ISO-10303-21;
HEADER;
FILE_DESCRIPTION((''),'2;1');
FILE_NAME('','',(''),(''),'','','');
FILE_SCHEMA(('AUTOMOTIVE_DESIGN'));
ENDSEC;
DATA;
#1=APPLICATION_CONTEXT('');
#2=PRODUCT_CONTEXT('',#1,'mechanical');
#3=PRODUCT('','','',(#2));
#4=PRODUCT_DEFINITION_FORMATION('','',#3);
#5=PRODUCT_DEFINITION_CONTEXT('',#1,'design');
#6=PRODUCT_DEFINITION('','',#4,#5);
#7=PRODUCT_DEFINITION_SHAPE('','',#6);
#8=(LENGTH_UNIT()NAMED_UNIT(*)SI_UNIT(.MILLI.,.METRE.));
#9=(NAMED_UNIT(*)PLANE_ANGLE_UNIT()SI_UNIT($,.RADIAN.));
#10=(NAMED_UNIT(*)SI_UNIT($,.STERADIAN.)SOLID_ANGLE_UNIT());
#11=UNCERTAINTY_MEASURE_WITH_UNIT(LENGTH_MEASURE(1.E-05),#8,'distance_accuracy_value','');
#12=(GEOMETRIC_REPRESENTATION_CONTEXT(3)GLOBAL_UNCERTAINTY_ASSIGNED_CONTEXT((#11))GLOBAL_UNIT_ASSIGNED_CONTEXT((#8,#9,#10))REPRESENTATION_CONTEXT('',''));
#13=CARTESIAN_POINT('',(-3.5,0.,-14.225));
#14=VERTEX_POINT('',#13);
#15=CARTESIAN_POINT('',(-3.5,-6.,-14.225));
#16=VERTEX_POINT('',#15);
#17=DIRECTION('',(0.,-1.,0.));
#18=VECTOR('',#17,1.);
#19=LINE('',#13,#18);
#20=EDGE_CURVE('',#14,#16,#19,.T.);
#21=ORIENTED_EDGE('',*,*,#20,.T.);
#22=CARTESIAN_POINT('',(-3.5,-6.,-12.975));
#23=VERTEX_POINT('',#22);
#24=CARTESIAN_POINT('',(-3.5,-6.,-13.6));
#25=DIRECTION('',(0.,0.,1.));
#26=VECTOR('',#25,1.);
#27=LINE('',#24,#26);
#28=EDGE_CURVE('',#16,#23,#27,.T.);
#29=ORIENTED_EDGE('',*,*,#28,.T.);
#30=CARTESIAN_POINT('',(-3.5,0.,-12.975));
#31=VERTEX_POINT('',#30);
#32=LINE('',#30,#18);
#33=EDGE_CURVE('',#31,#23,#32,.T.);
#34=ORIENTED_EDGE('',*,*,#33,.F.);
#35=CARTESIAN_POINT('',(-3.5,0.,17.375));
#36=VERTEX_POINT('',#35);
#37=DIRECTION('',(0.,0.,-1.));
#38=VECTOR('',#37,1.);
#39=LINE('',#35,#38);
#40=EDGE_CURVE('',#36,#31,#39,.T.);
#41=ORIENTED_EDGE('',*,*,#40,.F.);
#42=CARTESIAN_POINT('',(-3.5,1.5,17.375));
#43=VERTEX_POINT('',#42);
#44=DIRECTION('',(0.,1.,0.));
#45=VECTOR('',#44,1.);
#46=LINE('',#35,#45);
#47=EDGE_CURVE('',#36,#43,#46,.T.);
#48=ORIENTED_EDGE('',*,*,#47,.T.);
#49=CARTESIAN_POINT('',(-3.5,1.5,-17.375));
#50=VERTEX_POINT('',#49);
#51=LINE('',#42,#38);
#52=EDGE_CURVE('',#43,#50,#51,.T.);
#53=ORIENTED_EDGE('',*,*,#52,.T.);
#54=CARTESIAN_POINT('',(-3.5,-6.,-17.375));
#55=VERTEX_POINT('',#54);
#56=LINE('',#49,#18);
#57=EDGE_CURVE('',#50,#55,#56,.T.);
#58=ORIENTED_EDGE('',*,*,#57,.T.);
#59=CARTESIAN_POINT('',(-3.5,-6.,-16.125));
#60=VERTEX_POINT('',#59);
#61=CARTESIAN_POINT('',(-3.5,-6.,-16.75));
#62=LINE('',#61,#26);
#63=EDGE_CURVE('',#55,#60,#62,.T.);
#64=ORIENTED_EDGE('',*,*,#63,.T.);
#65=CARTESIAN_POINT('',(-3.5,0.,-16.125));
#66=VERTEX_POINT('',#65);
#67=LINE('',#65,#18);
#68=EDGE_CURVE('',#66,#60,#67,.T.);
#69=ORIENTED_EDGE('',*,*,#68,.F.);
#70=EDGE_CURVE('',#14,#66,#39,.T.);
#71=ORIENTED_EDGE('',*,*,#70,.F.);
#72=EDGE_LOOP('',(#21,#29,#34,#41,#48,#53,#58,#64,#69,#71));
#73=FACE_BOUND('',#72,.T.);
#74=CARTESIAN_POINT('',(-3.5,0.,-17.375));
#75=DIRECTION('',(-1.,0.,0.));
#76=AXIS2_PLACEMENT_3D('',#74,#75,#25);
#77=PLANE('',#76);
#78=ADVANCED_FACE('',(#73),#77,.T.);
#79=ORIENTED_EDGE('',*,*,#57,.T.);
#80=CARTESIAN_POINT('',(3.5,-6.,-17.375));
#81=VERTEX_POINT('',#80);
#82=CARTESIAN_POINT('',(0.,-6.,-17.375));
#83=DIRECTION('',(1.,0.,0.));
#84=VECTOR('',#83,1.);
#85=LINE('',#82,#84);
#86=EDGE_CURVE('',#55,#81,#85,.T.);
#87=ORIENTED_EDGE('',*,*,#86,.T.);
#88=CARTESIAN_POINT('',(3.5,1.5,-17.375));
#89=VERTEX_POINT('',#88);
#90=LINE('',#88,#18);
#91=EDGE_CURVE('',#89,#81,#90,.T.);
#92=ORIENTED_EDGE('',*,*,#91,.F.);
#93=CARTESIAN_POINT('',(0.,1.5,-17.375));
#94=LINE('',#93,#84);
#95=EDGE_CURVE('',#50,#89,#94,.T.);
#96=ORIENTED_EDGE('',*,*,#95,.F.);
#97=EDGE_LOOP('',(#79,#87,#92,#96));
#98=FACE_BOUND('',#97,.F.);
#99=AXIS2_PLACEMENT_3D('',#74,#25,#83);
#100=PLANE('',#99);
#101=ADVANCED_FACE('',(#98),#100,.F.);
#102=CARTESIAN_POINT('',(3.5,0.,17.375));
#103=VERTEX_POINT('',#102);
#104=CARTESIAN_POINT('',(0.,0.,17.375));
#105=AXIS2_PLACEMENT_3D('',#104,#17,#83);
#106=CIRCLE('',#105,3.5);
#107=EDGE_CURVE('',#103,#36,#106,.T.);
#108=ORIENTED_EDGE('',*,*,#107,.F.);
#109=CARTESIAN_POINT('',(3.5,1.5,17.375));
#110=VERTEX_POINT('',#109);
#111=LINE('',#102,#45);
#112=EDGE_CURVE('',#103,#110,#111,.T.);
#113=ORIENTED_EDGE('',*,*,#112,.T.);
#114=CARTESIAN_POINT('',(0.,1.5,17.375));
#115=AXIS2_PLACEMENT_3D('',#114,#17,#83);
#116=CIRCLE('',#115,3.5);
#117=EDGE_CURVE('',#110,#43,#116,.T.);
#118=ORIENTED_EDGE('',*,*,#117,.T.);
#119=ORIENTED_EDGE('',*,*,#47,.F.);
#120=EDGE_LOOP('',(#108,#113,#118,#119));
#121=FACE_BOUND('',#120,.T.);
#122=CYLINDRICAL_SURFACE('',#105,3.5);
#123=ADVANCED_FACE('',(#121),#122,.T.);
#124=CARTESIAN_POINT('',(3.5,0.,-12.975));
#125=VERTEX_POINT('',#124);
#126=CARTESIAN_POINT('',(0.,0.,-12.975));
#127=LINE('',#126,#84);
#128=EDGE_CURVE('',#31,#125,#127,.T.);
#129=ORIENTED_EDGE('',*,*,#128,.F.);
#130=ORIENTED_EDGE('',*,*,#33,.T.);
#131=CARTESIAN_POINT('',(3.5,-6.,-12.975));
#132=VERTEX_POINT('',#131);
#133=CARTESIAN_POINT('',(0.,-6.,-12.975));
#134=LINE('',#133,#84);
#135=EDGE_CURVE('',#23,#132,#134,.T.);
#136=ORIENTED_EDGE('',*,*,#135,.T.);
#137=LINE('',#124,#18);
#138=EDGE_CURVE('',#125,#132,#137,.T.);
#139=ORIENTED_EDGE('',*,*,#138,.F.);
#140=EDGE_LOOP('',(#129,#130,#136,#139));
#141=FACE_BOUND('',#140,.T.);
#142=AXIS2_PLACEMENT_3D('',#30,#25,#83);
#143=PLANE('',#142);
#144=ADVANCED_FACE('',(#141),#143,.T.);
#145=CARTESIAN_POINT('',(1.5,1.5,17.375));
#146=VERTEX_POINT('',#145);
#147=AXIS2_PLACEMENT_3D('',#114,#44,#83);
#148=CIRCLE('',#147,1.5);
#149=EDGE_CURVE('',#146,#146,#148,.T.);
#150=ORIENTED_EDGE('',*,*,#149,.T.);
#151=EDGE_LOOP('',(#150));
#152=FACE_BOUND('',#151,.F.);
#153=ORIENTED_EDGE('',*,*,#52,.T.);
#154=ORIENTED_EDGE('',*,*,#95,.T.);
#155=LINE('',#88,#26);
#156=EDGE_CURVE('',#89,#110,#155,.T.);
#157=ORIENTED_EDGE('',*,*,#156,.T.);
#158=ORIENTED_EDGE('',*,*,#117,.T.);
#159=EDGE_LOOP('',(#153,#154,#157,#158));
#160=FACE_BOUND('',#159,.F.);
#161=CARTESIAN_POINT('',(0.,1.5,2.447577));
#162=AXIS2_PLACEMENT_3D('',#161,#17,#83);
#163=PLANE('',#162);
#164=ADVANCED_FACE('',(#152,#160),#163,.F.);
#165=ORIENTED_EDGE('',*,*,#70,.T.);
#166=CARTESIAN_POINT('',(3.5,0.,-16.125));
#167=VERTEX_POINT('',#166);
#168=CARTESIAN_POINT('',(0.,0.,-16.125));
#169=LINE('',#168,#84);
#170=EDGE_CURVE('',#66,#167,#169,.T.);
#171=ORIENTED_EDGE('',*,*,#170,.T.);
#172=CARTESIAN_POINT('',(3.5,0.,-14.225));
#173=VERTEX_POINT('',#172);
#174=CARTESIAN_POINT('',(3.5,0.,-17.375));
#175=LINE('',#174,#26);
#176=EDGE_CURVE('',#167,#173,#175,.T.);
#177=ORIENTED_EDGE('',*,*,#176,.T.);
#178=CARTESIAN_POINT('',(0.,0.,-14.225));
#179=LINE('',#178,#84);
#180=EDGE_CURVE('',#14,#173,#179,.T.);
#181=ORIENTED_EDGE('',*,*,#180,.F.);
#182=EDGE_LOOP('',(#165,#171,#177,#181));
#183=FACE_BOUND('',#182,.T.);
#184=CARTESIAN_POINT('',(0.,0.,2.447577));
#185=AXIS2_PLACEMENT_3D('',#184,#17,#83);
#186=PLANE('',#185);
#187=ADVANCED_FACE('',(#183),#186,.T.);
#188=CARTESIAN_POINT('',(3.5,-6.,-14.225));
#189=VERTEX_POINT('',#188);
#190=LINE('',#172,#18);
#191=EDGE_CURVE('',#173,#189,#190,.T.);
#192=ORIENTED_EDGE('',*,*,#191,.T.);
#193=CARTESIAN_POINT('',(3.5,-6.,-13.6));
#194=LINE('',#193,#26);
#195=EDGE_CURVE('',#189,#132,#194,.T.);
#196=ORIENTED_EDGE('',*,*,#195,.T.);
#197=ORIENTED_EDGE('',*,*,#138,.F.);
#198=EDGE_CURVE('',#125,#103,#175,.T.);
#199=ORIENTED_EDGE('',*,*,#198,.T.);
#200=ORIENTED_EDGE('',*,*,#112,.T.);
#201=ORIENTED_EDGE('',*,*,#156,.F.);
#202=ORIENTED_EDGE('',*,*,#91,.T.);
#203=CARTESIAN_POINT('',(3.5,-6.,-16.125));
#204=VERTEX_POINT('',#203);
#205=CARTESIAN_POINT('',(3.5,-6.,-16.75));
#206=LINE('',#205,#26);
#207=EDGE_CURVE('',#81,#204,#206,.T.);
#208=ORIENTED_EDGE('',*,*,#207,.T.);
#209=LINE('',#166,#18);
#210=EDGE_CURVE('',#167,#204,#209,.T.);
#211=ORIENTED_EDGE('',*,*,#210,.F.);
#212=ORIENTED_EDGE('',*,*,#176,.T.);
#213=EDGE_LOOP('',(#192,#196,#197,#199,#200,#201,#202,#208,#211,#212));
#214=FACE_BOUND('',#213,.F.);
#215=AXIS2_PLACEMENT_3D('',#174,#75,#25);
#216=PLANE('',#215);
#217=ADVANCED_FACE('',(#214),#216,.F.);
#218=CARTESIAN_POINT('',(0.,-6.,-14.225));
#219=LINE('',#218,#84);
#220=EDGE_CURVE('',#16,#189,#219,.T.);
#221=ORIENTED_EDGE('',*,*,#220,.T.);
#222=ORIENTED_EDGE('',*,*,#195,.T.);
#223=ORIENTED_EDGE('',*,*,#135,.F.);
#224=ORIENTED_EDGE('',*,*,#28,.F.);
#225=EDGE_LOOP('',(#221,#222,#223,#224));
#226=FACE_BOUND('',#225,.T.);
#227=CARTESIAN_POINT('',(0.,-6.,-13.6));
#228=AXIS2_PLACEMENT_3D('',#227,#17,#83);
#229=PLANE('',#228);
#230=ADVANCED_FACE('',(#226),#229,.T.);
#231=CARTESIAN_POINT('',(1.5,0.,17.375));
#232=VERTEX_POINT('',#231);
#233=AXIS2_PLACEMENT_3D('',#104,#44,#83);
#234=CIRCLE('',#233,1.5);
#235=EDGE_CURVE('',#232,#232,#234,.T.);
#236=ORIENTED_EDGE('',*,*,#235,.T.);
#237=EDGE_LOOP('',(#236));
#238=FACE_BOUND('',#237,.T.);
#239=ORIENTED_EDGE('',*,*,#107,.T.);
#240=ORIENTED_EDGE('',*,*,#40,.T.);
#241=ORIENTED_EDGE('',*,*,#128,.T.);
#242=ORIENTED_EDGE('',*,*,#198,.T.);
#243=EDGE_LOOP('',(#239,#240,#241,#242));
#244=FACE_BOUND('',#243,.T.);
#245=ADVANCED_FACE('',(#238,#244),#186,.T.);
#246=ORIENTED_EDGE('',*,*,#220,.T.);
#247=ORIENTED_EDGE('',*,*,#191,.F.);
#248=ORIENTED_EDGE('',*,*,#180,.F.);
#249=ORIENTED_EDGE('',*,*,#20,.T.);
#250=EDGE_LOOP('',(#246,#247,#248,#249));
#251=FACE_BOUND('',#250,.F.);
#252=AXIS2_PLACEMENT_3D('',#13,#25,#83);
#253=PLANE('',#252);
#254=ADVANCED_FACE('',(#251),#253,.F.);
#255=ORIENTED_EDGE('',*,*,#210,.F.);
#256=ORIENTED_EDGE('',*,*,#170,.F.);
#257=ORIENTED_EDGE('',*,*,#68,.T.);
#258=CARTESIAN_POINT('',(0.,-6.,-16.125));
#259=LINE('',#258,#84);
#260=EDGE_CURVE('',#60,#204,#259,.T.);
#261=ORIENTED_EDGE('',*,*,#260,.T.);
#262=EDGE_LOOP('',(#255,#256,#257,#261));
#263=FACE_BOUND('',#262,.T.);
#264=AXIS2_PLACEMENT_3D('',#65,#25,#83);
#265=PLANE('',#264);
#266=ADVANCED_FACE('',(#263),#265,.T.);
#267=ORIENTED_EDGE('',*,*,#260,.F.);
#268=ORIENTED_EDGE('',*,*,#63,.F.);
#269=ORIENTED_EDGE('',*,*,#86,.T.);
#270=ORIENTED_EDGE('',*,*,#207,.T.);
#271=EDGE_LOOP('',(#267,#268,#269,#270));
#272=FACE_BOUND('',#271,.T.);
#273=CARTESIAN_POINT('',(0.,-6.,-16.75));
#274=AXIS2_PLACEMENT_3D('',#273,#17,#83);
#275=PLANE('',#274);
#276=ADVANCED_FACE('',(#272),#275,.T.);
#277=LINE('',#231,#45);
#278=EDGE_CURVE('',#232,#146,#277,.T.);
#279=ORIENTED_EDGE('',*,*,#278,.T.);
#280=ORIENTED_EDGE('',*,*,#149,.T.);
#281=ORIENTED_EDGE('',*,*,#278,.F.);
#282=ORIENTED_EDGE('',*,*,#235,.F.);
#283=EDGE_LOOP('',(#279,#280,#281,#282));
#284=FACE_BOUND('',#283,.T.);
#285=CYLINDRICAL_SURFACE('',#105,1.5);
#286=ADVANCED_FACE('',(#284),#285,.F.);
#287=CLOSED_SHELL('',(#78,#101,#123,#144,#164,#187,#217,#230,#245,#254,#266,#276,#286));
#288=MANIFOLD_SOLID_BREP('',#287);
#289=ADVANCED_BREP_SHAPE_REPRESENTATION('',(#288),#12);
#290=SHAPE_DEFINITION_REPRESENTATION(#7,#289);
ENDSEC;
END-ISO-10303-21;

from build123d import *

# Parameters (mm, degrees)
F0_W     = 7
F0_H     = 1.9
F0_H_2   = 1.25
F1_DEPTH = 1.5
F2_DEPTH = 6


with BuildPart() as f1:
    # F0 (on Front) → F1 (new body)
    with BuildSketch(Plane.XZ):
        with BuildLine():
            Line((3.5, 17.375), (1.5, 17.375))
            ThreePointArc((1.5, 17.375), (0, 15.875), (-1.5, 17.375))
            Line((-1.5, 17.375), (-3.5, 17.375))
            Line((-3.5, 17.375), (-3.5, -12.975))
            Line((-3.5, -12.975), (3.5, -12.975))
            Line((3.5, -12.975), (3.5, 17.375))
        make_face()
        with Locations((0, -15.175)):
            Rectangle(F0_W, F0_H)
        with Locations((0, -16.75)):
            Rectangle(F0_W, F0_H_2)
        with BuildLine():
            ThreePointArc((-1.5, 17.375), (0, 18.875), (1.5, 17.375))
            Line((1.5, 17.375), (3.5, 17.375))
            ThreePointArc((3.5, 17.375), (0, 20.875), (-3.5, 17.375))
            Line((-3.5, 17.375), (-1.5, 17.375))
        make_face()
        with Locations((0, -13.6)):
            Rectangle(F0_W, F0_H_2)
    extrude(amount=-F1_DEPTH)

    # F0 (on Front) → F2 (join)
    with BuildSketch(Plane.XZ):
        with Locations((0, -16.75)):
            Rectangle(F0_W, F0_H_2)
        with Locations((0, -13.6)):
            Rectangle(F0_W, F0_H_2)
    extrude(amount=F2_DEPTH)


solid = f1.part
